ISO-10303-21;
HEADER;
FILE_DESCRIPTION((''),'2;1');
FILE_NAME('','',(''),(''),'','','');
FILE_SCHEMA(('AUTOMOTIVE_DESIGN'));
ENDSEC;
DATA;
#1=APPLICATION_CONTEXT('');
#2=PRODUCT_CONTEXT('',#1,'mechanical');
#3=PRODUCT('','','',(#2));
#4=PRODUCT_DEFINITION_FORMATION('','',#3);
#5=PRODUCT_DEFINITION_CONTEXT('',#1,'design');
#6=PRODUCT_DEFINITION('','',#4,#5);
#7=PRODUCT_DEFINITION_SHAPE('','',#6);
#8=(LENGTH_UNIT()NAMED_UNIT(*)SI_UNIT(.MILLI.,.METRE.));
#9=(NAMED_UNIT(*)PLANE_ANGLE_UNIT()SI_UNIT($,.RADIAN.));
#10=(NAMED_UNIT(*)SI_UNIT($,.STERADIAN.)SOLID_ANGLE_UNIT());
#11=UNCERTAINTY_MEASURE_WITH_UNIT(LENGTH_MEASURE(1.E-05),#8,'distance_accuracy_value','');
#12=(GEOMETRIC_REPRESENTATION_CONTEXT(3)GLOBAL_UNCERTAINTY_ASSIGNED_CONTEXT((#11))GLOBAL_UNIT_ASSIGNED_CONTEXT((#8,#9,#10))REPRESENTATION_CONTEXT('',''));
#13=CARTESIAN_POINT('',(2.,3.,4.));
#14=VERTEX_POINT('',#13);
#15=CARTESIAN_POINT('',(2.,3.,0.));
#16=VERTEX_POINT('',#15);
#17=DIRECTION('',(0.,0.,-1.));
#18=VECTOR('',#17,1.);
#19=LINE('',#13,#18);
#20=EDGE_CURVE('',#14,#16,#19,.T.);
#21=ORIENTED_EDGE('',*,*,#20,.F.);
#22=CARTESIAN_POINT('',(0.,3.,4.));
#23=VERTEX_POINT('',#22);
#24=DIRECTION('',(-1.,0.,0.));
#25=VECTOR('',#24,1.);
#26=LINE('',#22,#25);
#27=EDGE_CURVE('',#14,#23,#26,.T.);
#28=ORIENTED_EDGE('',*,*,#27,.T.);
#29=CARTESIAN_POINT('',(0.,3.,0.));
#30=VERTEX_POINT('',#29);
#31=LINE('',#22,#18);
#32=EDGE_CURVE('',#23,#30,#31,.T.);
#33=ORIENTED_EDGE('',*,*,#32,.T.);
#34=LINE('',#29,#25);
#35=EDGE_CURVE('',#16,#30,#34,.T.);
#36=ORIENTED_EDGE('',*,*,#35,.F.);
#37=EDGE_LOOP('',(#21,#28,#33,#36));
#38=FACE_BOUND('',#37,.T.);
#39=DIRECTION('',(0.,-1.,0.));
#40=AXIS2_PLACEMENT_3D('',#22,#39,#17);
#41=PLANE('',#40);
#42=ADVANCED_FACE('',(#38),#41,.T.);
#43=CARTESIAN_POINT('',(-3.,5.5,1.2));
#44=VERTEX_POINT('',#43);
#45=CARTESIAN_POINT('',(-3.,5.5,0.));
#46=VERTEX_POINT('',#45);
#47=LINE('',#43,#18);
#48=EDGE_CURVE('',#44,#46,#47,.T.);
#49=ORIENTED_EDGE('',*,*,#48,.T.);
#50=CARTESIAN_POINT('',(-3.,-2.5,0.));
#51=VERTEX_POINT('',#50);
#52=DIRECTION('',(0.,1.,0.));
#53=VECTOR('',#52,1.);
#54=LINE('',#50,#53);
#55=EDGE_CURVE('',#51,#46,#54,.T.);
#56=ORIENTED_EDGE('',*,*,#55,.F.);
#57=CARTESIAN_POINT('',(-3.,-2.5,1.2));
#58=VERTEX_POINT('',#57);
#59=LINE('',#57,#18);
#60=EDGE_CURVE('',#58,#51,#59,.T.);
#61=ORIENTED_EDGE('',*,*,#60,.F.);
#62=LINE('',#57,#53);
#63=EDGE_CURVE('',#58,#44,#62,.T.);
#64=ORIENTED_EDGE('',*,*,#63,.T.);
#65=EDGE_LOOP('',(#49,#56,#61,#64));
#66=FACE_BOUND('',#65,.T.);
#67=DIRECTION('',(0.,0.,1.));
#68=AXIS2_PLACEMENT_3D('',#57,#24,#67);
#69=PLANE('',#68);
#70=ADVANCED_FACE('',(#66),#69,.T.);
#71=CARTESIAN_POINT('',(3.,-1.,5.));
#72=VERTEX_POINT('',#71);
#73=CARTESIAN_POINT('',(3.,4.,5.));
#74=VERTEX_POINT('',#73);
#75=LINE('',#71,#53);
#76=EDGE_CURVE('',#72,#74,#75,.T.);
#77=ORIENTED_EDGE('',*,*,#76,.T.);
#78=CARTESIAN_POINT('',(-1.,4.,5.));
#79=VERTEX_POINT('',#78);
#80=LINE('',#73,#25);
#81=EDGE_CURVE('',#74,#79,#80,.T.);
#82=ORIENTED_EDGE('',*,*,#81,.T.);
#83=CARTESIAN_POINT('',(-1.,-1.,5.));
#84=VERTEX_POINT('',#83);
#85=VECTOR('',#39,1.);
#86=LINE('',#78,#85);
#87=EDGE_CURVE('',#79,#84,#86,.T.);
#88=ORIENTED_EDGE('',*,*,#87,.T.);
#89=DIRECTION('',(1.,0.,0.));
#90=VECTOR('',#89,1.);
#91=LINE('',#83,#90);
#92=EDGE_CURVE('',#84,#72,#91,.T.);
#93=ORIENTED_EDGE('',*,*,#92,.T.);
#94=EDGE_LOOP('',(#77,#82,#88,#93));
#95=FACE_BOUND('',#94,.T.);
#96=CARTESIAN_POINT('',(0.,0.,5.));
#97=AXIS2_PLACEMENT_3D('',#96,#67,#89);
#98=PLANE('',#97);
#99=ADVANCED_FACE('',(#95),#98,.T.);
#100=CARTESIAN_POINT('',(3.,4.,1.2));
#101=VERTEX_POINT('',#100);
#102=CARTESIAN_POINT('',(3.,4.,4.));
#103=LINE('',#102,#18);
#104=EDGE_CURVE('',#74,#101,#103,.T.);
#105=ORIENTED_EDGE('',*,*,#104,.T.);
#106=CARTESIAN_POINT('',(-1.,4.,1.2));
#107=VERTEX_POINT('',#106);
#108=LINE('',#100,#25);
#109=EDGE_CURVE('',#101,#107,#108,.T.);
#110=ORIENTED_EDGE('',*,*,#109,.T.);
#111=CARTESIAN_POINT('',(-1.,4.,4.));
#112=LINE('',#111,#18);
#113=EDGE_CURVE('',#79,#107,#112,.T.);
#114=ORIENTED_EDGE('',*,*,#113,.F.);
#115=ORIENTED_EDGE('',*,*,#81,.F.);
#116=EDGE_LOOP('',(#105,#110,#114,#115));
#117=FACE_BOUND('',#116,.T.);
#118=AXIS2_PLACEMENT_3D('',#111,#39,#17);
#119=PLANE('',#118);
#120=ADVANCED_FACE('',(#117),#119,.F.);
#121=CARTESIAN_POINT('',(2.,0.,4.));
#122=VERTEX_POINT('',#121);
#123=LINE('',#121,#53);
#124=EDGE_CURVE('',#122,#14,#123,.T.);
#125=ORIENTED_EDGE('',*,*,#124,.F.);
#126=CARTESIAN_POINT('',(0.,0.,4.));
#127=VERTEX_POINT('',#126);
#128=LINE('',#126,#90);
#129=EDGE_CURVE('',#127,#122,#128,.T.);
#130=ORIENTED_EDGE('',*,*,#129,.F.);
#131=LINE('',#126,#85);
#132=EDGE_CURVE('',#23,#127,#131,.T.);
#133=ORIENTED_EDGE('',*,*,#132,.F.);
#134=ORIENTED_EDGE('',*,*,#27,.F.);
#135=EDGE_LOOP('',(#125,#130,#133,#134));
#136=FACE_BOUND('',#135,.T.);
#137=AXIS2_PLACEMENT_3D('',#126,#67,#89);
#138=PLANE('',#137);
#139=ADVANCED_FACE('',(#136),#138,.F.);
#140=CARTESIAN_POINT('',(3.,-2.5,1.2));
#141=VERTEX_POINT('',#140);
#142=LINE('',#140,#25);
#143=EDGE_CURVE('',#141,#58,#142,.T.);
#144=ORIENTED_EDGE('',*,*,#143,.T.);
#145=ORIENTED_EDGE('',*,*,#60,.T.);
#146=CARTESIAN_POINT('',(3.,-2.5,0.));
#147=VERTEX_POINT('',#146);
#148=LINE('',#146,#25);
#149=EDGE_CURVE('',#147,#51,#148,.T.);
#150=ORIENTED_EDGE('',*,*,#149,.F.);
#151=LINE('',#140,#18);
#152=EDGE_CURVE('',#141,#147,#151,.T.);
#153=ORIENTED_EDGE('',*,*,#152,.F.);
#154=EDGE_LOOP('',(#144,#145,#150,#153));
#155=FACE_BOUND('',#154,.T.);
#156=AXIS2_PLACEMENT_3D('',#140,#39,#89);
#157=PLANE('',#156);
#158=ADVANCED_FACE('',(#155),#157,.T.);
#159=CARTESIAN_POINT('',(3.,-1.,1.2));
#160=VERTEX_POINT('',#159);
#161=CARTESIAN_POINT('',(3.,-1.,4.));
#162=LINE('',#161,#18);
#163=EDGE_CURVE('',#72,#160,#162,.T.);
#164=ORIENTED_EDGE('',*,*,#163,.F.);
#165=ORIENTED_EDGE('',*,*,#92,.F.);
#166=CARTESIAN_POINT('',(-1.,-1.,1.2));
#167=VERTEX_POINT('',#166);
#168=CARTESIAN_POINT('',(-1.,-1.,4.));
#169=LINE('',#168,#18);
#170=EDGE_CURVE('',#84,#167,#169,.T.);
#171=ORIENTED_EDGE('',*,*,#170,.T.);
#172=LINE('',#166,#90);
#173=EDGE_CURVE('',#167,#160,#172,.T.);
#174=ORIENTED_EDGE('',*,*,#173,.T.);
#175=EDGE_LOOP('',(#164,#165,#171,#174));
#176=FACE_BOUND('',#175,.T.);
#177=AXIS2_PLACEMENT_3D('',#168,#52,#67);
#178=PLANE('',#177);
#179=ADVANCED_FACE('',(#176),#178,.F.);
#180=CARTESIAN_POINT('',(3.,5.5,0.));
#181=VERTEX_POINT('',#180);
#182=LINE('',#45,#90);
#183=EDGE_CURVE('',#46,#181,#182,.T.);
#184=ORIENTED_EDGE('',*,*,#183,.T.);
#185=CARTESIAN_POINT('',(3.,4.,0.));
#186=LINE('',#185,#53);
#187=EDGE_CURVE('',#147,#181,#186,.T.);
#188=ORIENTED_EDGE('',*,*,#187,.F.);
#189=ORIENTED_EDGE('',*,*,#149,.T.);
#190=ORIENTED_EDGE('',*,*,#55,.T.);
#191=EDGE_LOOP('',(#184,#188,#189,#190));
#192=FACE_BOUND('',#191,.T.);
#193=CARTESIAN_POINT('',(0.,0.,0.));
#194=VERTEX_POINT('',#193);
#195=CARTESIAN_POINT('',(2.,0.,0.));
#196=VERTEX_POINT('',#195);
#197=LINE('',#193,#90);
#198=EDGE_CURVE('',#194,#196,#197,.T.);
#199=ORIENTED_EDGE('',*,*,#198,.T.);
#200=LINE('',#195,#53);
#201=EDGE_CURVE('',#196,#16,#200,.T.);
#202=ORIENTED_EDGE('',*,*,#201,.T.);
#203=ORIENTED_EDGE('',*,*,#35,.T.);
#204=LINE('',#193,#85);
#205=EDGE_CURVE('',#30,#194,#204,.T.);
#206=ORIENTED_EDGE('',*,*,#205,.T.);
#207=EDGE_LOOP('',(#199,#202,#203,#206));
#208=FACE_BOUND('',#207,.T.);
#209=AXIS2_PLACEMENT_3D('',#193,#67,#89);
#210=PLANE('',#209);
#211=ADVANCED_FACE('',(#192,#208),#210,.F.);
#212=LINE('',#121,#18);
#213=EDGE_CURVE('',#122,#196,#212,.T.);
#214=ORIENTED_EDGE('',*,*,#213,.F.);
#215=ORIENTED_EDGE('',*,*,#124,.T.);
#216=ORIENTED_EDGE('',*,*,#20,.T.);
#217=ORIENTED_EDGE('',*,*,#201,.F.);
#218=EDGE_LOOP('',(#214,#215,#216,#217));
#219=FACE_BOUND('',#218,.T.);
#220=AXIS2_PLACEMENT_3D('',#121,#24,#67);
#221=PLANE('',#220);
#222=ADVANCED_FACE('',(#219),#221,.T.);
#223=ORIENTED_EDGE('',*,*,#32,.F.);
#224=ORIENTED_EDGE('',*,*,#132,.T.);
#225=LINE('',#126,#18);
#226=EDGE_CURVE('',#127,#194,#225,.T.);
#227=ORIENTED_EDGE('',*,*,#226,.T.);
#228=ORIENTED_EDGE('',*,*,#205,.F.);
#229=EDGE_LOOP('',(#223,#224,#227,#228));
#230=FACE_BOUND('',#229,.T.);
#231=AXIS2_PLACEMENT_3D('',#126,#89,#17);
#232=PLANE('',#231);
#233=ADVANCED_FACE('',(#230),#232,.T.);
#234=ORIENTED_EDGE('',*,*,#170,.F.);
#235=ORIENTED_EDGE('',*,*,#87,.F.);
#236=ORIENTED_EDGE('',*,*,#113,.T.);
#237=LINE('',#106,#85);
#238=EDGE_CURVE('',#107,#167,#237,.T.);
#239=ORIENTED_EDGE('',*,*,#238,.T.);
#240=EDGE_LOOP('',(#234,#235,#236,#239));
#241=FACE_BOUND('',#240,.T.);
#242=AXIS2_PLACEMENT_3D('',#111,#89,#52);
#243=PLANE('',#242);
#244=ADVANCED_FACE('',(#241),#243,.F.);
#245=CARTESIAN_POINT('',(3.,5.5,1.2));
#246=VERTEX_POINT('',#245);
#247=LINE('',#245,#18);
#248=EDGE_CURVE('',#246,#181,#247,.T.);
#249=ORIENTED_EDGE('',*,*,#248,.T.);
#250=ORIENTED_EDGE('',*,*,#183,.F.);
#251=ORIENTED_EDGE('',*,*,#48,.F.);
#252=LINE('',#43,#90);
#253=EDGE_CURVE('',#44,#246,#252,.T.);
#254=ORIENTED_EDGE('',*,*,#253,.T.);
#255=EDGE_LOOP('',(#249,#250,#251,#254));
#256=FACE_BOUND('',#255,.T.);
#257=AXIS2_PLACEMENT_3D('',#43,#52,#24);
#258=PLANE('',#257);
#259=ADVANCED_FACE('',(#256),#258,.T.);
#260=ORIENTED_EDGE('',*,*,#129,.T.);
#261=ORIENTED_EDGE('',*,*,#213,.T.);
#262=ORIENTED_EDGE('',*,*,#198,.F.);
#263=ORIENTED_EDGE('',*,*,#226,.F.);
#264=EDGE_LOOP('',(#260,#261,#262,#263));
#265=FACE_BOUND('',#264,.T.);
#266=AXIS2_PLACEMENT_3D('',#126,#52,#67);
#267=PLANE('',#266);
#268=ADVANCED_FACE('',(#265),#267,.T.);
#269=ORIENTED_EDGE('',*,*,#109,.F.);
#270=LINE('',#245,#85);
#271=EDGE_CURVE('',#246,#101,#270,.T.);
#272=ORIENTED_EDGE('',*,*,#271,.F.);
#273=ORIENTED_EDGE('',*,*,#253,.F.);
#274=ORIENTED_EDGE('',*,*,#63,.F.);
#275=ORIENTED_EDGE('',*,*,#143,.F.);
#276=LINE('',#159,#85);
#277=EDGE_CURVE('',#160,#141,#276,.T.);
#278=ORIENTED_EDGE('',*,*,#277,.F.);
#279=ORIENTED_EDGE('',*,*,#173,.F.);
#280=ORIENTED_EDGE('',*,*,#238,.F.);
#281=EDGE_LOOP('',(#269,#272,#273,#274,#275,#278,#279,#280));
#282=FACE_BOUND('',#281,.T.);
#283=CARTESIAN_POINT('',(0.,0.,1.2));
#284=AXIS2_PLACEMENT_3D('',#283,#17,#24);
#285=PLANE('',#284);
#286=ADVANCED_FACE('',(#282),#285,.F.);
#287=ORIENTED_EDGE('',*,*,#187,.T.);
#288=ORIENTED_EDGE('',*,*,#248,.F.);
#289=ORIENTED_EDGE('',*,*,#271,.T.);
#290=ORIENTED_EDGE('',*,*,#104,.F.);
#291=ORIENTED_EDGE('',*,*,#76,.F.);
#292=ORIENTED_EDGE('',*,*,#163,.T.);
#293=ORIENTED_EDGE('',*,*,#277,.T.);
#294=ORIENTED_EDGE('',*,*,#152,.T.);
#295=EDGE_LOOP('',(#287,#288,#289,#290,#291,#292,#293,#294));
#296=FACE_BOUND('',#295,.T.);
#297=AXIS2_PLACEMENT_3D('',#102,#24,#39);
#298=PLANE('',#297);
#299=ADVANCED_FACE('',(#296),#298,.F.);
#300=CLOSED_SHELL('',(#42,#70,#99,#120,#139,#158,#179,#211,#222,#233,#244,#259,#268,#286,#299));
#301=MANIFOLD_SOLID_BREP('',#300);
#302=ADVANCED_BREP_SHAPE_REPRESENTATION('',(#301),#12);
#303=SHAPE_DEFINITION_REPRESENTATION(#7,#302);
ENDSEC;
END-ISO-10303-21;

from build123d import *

# Parameters (mm, degrees)
SKETCH_1_W      = 4
SKETCH_1_H      = 5
SKETCH_1_W_2    = 2
SKETCH_1_H_2    = 3
EXTRUDE_1_DEPTH = 4
EXTRUDE_2_DEPTH = 1.2
SKETCH_3_W      = 4
SKETCH_3_H      = 5
EXTRUDE_3_DEPTH = 1


with BuildPart() as part:
    # 草图1 → 凸台-拉伸1 (new body)
    with BuildSketch(Plane.XY):
        with Locations((1, 1.5)):
            Rectangle(SKETCH_1_W, SKETCH_1_H)
        with Locations((1, 1.5)):
            Rectangle(SKETCH_1_W_2, SKETCH_1_H_2, mode=Mode.SUBTRACT)
    extrude(amount=EXTRUDE_1_DEPTH)

    # 草图2 → 凸台-拉伸2 (add)
    with BuildSketch(Plane(origin=(0, 0, 0), x_dir=(-1, 0, 0), z_dir=(0, 0, -1))):
        Polygon((-3, 4), (1, 4), (1, -1), (-3, -1), (-3, -2.5), (3, -2.5), (3, 5.5), (-3, 5.5), align=None)
    extrude(amount=-EXTRUDE_2_DEPTH)

    # 草图3 → 凸台-拉伸3 (add)
    with BuildSketch(Plane.XY.offset(4)):
        with Locations((1, 1.5)):
            Rectangle(SKETCH_3_W, SKETCH_3_H)
    extrude(amount=EXTRUDE_3_DEPTH)


solid = part.part
